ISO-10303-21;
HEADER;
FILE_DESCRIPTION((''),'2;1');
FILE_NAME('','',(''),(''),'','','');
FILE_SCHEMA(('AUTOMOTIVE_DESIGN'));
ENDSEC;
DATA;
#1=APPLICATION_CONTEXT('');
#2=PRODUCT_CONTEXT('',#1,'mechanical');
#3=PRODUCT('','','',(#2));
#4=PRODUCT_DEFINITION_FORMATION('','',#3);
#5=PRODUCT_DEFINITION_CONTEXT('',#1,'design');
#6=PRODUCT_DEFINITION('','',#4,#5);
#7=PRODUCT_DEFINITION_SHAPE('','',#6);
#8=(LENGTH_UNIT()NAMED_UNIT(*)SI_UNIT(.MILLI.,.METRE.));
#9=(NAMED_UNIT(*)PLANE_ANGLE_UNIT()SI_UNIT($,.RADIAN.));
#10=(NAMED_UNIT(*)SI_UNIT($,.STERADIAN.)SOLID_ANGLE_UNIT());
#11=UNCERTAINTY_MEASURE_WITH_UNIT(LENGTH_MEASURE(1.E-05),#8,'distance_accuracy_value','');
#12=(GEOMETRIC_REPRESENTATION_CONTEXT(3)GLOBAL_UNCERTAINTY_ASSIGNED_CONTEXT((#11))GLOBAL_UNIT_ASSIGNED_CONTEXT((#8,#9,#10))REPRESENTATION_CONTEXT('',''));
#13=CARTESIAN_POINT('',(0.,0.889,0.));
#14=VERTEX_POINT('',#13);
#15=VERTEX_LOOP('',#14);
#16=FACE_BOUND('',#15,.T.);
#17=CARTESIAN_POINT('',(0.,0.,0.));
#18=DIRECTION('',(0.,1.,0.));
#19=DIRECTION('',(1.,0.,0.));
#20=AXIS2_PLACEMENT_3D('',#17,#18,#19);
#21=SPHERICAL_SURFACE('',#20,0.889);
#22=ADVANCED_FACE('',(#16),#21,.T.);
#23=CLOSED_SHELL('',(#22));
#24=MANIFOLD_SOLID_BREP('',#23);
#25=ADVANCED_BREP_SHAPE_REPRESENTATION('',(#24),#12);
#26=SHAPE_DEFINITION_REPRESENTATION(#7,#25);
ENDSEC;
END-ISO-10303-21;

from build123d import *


with BuildPart() as part:
    # Sketch1 → Revolve1 (revolve)
    with BuildSketch(Plane.XY):
        with BuildLine():
            Line((0, 0.889), (0, -0.889))
            ThreePointArc((0, -0.889), (-0.889, 0), (0, 0.889))
        make_face()
    revolve(axis=Axis((0, 0.889, 0), (0, -1, 0)))


solid = part.part
